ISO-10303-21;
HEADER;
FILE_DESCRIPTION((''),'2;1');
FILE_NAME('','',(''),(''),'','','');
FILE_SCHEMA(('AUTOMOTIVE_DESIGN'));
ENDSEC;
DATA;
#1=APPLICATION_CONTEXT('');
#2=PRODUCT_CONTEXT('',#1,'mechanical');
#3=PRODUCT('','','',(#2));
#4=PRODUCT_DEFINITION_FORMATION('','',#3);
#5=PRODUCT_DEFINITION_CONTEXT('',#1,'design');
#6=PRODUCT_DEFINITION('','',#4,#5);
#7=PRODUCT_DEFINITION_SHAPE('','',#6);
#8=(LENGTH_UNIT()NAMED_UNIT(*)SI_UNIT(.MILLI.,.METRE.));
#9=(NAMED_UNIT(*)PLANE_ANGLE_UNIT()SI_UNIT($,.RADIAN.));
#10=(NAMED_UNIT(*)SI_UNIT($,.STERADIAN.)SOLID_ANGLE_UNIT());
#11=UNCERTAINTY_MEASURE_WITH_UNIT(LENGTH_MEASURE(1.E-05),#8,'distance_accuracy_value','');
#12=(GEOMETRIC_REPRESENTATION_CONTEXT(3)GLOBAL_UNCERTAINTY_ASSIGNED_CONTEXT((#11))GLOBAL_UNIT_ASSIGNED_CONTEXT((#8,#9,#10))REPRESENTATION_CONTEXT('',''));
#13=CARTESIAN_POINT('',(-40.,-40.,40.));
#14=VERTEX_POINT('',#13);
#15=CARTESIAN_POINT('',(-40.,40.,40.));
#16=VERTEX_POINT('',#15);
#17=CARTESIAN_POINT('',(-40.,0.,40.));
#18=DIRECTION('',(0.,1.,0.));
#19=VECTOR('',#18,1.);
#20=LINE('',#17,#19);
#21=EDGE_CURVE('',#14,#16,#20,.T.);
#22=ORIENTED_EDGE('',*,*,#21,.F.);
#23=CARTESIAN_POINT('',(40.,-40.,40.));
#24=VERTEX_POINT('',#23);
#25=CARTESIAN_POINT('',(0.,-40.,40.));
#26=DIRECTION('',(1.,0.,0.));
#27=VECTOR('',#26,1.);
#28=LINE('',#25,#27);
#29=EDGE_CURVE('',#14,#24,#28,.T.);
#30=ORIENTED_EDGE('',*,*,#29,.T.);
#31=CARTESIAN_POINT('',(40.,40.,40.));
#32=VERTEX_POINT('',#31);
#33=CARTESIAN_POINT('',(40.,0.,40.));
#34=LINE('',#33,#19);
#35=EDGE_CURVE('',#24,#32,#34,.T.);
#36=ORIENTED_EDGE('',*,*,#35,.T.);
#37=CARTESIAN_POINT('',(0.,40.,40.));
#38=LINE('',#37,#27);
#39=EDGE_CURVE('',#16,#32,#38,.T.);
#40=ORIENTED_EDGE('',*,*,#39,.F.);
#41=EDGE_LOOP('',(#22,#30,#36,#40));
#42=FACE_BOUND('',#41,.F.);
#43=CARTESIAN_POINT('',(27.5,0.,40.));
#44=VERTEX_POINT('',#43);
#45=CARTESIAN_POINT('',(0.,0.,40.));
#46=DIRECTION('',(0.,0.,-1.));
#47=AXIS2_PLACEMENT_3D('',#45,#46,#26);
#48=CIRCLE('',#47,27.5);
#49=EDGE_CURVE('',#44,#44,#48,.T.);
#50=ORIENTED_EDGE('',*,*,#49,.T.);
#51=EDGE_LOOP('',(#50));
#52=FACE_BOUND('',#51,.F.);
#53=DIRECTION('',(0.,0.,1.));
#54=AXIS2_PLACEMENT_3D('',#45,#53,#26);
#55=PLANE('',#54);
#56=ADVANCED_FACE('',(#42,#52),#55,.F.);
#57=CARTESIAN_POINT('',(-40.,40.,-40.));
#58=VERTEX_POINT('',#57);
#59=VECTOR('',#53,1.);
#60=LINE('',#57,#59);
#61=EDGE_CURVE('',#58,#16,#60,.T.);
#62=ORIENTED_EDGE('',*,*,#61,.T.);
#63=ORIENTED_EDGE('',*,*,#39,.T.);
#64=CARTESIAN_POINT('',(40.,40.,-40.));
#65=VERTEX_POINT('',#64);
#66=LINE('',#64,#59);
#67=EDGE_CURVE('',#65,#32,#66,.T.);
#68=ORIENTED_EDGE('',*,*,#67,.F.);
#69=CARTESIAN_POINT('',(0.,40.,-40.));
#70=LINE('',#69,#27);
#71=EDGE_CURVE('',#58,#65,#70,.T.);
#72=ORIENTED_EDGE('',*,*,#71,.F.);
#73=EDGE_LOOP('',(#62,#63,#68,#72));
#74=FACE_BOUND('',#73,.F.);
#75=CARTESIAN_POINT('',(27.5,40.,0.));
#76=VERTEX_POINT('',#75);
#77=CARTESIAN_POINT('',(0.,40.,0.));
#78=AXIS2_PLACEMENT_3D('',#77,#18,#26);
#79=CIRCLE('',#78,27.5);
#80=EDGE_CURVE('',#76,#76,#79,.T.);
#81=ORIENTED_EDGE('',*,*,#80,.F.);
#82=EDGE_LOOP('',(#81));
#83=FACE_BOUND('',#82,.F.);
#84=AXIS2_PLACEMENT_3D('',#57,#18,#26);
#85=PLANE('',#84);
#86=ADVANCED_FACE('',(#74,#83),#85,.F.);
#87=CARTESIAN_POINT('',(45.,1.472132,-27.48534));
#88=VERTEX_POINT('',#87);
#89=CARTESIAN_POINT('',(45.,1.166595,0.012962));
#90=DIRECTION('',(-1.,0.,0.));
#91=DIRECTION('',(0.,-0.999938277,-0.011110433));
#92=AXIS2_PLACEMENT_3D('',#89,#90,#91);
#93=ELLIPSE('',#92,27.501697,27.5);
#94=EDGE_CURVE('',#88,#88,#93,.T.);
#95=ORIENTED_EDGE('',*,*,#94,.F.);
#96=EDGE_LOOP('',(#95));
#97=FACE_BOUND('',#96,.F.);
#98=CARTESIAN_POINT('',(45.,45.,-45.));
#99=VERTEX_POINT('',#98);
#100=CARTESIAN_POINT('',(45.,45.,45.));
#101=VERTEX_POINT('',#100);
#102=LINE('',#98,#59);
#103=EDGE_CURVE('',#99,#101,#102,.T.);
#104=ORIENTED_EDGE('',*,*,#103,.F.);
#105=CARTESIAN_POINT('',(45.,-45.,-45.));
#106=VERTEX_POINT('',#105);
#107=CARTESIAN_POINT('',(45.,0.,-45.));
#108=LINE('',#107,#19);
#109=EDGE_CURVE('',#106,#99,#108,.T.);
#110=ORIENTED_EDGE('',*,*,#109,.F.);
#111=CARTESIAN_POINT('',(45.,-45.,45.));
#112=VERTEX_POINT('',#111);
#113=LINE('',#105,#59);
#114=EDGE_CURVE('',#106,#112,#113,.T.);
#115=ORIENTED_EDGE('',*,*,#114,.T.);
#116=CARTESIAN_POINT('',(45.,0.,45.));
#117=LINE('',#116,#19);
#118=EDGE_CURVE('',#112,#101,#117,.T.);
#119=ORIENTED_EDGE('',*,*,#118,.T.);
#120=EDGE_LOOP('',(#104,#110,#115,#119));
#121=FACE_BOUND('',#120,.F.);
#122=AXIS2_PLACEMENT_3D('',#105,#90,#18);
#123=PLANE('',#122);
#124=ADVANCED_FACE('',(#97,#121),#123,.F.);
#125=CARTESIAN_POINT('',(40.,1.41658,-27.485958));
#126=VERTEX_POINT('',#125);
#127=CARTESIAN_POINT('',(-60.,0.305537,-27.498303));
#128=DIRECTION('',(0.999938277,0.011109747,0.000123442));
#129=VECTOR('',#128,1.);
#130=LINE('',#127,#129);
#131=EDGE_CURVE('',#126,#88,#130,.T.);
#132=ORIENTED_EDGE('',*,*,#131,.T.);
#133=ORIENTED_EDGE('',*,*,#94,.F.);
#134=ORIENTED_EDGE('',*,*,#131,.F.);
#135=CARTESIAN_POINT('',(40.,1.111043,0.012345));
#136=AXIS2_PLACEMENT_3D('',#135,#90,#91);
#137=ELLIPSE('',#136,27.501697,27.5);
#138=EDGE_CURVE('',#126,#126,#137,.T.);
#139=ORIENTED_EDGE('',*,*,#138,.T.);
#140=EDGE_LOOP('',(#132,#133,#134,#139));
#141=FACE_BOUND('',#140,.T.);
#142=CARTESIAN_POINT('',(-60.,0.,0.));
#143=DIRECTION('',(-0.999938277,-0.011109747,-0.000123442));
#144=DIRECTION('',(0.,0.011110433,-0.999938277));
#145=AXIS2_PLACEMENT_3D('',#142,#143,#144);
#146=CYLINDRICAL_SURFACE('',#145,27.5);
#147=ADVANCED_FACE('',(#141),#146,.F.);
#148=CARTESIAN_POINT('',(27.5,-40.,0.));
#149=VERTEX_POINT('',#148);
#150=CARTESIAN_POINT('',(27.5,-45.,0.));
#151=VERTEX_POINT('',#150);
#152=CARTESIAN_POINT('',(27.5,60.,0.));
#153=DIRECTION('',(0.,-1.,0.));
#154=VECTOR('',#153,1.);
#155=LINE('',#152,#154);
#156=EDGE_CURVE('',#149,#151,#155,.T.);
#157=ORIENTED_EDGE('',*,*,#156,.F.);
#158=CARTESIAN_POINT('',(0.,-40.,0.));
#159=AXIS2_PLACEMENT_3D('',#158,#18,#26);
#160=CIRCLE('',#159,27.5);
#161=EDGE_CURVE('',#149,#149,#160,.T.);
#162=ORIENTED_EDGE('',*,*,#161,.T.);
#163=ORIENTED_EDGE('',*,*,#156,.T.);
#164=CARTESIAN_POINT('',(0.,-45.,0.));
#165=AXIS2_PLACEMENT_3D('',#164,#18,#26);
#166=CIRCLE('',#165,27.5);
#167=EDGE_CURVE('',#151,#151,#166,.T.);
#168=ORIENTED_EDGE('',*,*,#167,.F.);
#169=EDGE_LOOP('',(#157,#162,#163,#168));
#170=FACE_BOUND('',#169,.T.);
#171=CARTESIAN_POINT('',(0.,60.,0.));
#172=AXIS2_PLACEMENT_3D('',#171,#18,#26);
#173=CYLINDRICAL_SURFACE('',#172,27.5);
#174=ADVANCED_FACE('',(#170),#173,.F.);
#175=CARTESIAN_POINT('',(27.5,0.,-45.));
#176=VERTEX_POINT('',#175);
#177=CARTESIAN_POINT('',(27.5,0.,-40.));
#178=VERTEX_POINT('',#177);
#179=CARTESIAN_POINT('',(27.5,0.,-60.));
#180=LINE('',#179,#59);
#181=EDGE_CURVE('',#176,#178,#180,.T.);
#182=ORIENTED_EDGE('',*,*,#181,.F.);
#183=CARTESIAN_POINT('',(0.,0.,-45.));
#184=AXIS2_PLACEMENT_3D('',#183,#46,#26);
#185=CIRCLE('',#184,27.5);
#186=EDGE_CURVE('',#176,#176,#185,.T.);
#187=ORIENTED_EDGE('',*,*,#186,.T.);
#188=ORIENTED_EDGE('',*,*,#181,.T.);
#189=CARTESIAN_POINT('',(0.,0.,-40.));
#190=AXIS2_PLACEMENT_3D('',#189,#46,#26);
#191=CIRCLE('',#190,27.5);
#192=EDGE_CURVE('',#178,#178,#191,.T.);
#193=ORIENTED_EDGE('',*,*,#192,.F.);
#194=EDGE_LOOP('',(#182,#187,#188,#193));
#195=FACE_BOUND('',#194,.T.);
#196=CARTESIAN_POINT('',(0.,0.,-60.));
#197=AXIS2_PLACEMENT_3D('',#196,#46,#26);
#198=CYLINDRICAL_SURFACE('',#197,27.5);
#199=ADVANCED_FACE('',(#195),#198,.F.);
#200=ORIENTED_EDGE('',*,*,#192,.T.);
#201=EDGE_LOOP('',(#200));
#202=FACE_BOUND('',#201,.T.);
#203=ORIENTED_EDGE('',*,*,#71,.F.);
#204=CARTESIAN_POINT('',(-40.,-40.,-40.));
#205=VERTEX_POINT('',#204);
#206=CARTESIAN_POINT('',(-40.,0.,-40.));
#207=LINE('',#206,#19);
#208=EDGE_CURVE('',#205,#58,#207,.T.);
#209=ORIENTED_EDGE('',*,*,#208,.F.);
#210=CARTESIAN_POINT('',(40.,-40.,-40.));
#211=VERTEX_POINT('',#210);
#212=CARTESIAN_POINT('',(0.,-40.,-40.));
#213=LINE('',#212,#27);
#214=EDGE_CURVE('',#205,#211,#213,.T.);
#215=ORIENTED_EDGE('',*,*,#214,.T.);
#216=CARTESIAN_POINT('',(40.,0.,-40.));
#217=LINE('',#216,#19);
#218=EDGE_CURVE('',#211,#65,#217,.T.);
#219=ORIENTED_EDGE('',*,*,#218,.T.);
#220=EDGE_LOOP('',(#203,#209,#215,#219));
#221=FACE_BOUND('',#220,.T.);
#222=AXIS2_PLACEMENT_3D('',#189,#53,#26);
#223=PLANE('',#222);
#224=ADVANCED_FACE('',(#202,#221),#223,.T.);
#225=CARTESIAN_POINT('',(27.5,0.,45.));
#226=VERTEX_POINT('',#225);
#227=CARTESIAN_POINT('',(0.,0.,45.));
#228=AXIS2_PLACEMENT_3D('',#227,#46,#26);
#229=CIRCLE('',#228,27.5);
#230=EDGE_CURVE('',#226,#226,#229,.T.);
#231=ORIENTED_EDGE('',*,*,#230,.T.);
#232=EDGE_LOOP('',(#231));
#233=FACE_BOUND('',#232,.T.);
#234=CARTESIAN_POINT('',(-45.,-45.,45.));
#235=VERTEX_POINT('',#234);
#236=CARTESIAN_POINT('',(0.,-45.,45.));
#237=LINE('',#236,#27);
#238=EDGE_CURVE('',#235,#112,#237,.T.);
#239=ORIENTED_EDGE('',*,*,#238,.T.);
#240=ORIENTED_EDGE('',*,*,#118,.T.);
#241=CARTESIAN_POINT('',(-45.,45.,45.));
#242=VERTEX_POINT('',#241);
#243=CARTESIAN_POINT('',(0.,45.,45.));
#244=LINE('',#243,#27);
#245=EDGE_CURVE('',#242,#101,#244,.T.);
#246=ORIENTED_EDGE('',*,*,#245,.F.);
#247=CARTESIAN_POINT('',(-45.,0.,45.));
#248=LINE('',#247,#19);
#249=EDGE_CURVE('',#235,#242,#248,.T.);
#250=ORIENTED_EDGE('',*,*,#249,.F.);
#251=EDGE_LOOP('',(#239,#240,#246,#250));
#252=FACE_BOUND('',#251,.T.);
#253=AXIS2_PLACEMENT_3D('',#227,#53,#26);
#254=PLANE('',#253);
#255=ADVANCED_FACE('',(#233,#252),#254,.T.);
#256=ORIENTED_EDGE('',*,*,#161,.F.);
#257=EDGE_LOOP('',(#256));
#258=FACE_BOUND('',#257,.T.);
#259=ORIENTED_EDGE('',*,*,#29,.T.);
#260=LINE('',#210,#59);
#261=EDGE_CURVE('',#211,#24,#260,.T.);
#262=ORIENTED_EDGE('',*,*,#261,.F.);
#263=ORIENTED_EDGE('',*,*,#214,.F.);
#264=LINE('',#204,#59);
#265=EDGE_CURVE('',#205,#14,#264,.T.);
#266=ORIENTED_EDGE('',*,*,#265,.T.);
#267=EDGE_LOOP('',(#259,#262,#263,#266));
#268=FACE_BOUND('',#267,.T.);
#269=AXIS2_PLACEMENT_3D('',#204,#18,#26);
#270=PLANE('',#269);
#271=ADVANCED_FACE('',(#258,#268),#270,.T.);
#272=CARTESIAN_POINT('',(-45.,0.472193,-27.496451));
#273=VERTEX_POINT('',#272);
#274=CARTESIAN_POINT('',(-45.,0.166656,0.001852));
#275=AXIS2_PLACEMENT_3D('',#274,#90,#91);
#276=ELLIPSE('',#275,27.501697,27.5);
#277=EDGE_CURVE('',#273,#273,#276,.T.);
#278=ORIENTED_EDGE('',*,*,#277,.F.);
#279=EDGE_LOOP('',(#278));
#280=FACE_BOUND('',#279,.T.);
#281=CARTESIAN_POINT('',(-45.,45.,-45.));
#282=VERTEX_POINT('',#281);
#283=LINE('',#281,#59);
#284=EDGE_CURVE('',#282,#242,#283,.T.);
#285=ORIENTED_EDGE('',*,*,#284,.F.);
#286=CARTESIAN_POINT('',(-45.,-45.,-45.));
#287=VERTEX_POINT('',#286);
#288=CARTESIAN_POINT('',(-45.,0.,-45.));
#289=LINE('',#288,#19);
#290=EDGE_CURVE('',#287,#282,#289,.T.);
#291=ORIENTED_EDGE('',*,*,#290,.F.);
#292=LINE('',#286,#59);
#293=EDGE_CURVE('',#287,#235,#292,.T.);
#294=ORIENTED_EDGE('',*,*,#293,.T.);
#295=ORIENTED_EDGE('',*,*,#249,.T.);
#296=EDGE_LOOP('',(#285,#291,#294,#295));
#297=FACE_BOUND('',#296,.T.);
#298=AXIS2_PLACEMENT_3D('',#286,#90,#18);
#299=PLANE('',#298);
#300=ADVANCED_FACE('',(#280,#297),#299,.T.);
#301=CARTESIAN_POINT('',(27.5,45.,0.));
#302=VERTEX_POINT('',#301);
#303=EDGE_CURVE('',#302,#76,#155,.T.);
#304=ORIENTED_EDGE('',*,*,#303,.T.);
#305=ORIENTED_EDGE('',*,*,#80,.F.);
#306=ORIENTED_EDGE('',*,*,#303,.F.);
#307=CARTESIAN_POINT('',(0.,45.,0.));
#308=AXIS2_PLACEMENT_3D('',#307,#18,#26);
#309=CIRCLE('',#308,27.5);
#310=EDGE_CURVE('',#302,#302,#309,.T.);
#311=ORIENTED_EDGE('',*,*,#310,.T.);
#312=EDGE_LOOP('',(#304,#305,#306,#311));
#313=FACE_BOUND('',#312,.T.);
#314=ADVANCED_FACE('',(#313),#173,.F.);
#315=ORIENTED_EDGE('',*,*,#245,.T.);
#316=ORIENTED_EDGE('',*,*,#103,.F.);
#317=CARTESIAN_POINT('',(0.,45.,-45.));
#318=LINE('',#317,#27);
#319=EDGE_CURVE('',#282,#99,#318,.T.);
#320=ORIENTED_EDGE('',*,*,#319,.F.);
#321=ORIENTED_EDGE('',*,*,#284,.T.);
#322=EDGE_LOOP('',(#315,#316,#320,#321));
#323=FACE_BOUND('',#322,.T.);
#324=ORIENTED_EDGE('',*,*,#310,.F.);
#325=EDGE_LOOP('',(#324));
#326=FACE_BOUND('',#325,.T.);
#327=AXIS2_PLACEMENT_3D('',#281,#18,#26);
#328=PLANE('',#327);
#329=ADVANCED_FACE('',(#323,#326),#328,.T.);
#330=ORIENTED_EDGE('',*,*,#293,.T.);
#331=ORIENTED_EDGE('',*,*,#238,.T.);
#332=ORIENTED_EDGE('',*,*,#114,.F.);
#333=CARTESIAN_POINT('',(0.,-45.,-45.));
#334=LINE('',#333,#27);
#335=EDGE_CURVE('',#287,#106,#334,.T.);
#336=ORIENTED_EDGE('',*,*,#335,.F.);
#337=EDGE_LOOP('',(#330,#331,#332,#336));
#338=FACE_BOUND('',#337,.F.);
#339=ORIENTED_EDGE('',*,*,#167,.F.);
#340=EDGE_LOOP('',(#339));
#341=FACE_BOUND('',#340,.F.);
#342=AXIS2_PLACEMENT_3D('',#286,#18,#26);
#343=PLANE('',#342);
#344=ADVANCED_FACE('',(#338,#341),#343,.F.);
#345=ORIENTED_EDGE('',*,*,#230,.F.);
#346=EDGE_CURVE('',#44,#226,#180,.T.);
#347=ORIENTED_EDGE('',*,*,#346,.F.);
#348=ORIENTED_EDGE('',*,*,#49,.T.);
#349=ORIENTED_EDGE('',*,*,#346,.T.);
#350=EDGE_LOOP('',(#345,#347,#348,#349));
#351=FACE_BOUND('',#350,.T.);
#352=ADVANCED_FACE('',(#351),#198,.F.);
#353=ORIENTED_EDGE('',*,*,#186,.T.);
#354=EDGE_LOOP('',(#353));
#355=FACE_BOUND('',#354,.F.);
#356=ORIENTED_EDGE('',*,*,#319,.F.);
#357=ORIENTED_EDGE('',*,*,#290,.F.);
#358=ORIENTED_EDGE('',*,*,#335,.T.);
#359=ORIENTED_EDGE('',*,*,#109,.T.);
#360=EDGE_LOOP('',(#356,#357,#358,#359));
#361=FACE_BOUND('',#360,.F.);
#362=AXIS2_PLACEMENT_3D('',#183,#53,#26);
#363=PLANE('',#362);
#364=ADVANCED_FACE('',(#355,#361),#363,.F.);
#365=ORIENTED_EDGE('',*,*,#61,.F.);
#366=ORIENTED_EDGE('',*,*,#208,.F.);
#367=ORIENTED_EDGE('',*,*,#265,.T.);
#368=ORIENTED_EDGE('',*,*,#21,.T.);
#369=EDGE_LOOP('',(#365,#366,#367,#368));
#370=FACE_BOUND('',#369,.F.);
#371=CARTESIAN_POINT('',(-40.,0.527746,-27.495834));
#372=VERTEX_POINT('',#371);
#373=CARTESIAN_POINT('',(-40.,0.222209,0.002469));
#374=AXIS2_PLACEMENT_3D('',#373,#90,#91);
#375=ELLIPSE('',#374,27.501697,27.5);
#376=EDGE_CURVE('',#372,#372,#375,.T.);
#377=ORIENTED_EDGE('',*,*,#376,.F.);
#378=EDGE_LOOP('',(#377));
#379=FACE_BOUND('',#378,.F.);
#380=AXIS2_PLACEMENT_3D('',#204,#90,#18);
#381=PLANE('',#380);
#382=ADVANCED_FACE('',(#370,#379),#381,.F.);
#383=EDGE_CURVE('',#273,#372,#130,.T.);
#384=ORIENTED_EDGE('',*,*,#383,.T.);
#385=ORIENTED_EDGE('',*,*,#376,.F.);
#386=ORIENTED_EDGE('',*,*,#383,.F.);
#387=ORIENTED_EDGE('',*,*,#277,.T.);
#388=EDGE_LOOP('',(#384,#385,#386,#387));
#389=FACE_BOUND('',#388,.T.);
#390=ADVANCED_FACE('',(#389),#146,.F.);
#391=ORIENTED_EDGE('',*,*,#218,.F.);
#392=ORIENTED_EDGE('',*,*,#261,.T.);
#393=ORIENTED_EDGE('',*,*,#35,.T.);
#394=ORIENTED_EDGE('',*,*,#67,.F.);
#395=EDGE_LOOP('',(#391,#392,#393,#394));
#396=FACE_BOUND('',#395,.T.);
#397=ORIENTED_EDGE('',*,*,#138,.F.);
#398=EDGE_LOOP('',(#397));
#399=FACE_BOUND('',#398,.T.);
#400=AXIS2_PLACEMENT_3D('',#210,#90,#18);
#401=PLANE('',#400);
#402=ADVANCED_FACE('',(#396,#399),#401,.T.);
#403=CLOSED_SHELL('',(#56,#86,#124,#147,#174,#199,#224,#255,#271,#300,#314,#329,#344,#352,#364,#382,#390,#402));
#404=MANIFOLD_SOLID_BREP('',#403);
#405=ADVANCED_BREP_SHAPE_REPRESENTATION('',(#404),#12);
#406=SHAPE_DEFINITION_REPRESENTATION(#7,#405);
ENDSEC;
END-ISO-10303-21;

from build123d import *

# Parameters (mm, degrees)
CYLINDER002_R               = 27.5
CYLINDER002_DEPTH           = 120
CYLINDER001_R               = 27.5
CYLINDER001_DEPTH           = 120
CYLINDER001_ROLL_ANGLE      = 89.363406
CYLINDER001_PITCH_ANGLE     = 89.363406
CYLINDER001_PLACEMENT_ANGLE = 90
CYLINDER_R                  = 27.5
CYLINDER_DEPTH              = 120
BOX001_W                    = 80
BOX001_H                    = 80
BOX001_DEPTH                = 80
BOX_W                       = 90
BOX_H                       = 90
BOX_DEPTH                   = 90


with BuildPart() as cylinder002:
    # Cylinder002 → Cylinder002 (new body)
    with BuildSketch(Plane.XZ.offset(-60)):
        Circle(CYLINDER002_R)
    extrude(amount=CYLINDER002_DEPTH)


with BuildPart() as cylinder001:
    # Cylinder001 → Cylinder001 (new body)
    with BuildSketch(Plane.XY):
        Circle(CYLINDER001_R)
    extrude(amount=CYLINDER001_DEPTH)


with BuildPart() as cylinder001_1:
    # Cylinder001 roll: moved
    add(cylinder001.part.rotate(Axis((0, 0, 0), (1, 0, 0)), CYLINDER001_ROLL_ANGLE))


with BuildPart() as cylinder001_2:
    # Cylinder001 pitch: moved
    add(cylinder001_1.part.rotate(Axis((0, 0, 0), (0, 1, 0)), CYLINDER001_PITCH_ANGLE))


with BuildPart() as cylinder001_3:
    # Cylinder001 placement: moved
    add(cylinder001_2.part.moved(Location((-60, 0, 0))).rotate(Axis((-60, 0, 0), (0, 0, 1)), CYLINDER001_PLACEMENT_ANGLE))


with BuildPart() as cylinder:
    # Cylinder → Cylinder (new body)
    with BuildSketch(Plane.XY.offset(-60)):
        Circle(CYLINDER_R)
    extrude(amount=CYLINDER_DEPTH)


with BuildPart() as cube001:
    # Box001 → Box001 (new body)
    with BuildSketch(Plane(origin=(-40, -40, -40), x_dir=(1, 0, 0), z_dir=(0, 0, 1))):
        with Locations((40, 40)):
            Rectangle(BOX001_W, BOX001_H)
    extrude(amount=BOX001_DEPTH)


with BuildPart() as cut003:
    # Box → Box (new body)
    with BuildSketch(Plane(origin=(-45, -45, -45), x_dir=(1, 0, 0), z_dir=(0, 0, 1))):
        with Locations((45, 45)):
            Rectangle(BOX_W, BOX_H)
    extrude(amount=BOX_DEPTH)

    # Cut: cut Cube001
    add(cube001.part, mode=Mode.SUBTRACT)

    # Cut001: cut Cylinder
    add(cylinder.part, mode=Mode.SUBTRACT)

    # Cut002: cut Cylinder001
    add(cylinder001_3.part, mode=Mode.SUBTRACT)

    # Cut003: cut Cylinder002
    add(cylinder002.part, mode=Mode.SUBTRACT)


solid = cut003.part
